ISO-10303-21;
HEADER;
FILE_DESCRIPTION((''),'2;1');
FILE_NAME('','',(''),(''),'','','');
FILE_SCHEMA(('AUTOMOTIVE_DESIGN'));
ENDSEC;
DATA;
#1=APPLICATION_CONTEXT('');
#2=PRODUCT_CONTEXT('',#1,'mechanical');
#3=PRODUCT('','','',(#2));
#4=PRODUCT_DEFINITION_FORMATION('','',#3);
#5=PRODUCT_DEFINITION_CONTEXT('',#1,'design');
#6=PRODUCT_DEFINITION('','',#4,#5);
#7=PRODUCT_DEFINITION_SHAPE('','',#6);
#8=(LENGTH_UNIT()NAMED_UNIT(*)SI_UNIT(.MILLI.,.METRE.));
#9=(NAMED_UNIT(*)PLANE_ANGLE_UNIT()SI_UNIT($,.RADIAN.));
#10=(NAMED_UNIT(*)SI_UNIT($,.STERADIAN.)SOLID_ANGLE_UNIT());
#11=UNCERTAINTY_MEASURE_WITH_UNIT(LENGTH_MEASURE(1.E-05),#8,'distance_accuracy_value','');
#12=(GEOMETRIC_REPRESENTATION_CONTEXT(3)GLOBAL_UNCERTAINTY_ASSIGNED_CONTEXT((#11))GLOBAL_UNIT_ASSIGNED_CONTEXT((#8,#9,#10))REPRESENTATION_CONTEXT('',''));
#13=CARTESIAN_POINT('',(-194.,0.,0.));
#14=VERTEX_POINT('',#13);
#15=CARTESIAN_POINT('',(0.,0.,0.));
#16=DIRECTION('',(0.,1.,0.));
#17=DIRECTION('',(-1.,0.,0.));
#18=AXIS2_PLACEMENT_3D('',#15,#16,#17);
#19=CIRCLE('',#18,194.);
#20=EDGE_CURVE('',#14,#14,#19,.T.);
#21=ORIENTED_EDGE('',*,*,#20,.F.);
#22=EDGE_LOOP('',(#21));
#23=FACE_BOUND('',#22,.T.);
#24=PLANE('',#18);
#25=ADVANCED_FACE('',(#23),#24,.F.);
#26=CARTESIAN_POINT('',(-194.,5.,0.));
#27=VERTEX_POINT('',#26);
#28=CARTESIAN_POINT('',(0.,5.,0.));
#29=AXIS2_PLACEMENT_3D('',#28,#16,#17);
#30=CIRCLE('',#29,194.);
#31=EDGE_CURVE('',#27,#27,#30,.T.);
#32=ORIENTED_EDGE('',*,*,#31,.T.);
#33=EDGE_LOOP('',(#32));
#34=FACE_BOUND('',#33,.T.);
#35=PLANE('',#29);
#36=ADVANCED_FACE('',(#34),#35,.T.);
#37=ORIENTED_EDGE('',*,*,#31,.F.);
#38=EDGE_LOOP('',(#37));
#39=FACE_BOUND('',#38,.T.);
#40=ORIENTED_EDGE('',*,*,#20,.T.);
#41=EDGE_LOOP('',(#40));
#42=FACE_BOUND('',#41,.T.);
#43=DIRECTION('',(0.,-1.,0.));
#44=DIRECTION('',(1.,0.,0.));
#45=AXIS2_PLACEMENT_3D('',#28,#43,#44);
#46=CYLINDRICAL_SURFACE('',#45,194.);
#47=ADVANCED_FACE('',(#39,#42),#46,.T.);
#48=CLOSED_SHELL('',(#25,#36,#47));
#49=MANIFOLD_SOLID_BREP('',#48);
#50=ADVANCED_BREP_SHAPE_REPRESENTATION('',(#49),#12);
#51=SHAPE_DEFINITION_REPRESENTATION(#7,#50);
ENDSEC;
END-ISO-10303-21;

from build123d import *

# Parameters (mm, degrees)
SKETCH4_R           = 194
BOSS_EXTRUDE2_DEPTH = 5


with BuildPart() as part:
    # Sketch4 → Boss-Extrude2 (new body)
    with BuildSketch(Plane(origin=(0, 0, 0), x_dir=(1, 0, 0), z_dir=(0, 1, 0))):
        with Locations(Location((0, 0, 0), (0, 0, 180))):
            Circle(SKETCH4_R)
    extrude(amount=BOSS_EXTRUDE2_DEPTH)


solid = part.part
